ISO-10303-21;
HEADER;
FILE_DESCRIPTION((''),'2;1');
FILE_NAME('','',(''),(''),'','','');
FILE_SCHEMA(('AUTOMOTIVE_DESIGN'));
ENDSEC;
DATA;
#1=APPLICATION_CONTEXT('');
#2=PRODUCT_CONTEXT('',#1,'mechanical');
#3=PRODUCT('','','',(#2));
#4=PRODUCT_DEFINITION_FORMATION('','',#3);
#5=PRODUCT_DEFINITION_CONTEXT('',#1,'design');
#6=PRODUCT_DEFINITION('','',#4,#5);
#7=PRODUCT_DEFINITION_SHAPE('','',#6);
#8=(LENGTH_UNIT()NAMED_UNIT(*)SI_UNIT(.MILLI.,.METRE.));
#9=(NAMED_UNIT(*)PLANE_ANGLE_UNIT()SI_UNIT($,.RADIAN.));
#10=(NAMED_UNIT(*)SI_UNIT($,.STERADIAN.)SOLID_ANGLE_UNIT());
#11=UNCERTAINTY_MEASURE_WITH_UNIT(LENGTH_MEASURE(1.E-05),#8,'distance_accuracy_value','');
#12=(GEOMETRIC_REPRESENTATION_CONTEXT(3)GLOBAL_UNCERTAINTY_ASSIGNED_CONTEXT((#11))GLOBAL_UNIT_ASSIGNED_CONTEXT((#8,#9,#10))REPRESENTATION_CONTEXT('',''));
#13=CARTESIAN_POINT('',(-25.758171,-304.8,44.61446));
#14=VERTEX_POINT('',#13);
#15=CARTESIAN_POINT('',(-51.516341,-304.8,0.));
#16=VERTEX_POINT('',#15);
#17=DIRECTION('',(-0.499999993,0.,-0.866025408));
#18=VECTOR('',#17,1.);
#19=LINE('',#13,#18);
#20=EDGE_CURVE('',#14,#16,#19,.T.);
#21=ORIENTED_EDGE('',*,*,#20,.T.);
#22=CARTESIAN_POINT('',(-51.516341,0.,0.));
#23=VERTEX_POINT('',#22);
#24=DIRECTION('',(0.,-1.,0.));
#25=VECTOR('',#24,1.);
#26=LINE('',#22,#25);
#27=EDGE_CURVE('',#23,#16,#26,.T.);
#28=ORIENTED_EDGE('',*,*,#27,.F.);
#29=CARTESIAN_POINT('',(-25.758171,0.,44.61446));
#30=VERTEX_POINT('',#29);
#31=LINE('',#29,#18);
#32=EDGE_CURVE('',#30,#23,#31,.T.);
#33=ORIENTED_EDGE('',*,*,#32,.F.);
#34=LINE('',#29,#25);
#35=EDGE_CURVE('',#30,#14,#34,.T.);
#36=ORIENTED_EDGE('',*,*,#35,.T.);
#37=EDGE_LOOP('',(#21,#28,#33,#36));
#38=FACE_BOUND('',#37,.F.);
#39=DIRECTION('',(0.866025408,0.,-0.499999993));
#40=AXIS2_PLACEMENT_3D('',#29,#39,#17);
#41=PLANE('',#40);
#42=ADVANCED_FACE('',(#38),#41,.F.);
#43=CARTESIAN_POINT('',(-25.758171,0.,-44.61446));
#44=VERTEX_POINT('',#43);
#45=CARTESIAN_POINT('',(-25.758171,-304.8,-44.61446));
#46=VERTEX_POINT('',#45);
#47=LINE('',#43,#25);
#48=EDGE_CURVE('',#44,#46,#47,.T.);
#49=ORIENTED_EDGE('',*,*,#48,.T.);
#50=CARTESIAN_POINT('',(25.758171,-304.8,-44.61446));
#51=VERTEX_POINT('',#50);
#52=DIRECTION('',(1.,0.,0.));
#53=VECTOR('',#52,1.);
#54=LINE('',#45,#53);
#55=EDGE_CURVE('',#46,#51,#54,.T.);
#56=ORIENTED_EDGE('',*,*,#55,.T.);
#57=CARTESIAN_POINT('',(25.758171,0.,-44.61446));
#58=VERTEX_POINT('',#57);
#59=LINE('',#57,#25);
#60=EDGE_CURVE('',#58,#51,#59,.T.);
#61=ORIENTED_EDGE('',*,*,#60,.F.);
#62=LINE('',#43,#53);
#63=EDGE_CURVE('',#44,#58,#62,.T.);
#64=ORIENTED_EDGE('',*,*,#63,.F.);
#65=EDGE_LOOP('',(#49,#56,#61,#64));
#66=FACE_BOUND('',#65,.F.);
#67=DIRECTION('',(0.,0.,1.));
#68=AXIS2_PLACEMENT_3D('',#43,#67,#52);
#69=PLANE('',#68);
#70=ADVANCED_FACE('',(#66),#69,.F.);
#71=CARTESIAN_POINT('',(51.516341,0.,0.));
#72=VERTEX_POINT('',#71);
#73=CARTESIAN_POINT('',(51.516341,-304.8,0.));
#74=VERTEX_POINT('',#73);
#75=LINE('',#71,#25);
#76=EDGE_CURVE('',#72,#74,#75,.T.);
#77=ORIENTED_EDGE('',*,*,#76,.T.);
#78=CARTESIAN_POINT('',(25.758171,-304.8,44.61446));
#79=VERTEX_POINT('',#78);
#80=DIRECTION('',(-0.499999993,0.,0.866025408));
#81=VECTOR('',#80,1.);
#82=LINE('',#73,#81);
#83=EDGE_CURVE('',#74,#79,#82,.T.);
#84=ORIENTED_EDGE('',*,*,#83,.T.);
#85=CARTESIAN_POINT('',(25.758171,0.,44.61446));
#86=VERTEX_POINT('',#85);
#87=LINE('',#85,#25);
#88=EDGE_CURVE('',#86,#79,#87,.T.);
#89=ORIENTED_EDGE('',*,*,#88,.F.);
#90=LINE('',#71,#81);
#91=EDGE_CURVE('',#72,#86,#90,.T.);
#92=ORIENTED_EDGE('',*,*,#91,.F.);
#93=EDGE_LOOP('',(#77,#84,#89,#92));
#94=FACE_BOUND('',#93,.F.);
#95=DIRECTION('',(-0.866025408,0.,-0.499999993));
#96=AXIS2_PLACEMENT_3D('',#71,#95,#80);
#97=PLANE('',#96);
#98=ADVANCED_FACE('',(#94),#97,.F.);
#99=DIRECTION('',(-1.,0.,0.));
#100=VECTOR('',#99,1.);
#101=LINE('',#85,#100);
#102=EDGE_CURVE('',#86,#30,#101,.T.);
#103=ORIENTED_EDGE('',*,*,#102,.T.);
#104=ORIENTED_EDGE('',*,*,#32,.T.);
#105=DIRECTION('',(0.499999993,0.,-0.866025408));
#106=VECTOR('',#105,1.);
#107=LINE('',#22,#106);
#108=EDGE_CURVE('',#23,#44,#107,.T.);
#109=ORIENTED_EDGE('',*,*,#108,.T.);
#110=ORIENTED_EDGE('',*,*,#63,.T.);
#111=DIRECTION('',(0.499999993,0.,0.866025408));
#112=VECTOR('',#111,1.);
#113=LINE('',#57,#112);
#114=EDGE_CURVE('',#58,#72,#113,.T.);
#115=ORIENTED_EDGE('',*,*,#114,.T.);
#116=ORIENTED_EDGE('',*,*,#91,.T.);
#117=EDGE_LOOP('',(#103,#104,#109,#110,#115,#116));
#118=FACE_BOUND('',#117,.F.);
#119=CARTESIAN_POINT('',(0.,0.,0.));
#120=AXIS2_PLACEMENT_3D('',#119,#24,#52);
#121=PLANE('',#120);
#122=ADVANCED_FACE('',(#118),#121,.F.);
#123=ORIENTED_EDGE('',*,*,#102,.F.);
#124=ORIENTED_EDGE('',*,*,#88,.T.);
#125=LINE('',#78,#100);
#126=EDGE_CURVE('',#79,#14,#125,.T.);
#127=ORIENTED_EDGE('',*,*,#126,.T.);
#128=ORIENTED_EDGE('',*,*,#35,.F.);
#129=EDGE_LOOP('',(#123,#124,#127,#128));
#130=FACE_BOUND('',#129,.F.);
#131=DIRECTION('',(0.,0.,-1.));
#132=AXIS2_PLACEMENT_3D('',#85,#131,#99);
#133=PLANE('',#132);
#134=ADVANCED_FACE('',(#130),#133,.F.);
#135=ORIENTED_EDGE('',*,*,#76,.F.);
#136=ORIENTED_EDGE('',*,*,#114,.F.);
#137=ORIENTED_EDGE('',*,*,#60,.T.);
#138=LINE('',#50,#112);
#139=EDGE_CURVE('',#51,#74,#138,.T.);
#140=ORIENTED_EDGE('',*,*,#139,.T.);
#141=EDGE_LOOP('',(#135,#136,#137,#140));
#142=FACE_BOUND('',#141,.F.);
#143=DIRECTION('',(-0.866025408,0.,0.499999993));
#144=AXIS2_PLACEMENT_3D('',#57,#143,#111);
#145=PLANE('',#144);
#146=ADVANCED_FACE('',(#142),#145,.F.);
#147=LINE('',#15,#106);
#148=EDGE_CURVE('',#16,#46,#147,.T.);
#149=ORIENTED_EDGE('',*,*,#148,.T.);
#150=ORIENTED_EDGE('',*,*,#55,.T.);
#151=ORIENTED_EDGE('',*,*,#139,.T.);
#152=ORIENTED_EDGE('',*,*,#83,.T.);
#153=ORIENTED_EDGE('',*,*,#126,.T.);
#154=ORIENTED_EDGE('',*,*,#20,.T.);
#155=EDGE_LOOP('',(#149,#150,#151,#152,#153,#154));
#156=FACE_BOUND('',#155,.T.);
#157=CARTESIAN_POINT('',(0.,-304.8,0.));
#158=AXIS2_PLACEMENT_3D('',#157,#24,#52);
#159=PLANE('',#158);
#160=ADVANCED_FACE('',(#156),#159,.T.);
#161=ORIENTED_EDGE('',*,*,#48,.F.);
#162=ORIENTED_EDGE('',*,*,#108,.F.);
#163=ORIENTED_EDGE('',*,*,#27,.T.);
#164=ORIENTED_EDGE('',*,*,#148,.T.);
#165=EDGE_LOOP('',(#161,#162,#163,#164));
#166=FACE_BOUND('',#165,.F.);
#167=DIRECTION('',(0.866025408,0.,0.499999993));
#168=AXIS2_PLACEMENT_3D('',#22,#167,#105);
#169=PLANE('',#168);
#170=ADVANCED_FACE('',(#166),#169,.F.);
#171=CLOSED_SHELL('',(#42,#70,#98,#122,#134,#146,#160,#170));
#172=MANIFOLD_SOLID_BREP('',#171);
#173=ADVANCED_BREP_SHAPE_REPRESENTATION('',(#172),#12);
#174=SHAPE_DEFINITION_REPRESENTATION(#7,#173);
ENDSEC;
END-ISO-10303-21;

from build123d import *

# Parameters (mm, degrees)
F0_R     = 28.748945
F1_DEPTH = 304.8


with BuildPart() as f1:
    # F0 (on Front) → F1 (new body)
    with BuildSketch(Plane.XZ):
        Polygon((25.758171, 44.61446), (-25.758171, 44.61446), (-51.516341, 0), (-25.758171, -44.61446), (25.758171, -44.61446), (51.516341, 0), align=None)
        Circle(F0_R, mode=Mode.SUBTRACT)
        Circle(F0_R)
    extrude(amount=F1_DEPTH)


solid = f1.part
